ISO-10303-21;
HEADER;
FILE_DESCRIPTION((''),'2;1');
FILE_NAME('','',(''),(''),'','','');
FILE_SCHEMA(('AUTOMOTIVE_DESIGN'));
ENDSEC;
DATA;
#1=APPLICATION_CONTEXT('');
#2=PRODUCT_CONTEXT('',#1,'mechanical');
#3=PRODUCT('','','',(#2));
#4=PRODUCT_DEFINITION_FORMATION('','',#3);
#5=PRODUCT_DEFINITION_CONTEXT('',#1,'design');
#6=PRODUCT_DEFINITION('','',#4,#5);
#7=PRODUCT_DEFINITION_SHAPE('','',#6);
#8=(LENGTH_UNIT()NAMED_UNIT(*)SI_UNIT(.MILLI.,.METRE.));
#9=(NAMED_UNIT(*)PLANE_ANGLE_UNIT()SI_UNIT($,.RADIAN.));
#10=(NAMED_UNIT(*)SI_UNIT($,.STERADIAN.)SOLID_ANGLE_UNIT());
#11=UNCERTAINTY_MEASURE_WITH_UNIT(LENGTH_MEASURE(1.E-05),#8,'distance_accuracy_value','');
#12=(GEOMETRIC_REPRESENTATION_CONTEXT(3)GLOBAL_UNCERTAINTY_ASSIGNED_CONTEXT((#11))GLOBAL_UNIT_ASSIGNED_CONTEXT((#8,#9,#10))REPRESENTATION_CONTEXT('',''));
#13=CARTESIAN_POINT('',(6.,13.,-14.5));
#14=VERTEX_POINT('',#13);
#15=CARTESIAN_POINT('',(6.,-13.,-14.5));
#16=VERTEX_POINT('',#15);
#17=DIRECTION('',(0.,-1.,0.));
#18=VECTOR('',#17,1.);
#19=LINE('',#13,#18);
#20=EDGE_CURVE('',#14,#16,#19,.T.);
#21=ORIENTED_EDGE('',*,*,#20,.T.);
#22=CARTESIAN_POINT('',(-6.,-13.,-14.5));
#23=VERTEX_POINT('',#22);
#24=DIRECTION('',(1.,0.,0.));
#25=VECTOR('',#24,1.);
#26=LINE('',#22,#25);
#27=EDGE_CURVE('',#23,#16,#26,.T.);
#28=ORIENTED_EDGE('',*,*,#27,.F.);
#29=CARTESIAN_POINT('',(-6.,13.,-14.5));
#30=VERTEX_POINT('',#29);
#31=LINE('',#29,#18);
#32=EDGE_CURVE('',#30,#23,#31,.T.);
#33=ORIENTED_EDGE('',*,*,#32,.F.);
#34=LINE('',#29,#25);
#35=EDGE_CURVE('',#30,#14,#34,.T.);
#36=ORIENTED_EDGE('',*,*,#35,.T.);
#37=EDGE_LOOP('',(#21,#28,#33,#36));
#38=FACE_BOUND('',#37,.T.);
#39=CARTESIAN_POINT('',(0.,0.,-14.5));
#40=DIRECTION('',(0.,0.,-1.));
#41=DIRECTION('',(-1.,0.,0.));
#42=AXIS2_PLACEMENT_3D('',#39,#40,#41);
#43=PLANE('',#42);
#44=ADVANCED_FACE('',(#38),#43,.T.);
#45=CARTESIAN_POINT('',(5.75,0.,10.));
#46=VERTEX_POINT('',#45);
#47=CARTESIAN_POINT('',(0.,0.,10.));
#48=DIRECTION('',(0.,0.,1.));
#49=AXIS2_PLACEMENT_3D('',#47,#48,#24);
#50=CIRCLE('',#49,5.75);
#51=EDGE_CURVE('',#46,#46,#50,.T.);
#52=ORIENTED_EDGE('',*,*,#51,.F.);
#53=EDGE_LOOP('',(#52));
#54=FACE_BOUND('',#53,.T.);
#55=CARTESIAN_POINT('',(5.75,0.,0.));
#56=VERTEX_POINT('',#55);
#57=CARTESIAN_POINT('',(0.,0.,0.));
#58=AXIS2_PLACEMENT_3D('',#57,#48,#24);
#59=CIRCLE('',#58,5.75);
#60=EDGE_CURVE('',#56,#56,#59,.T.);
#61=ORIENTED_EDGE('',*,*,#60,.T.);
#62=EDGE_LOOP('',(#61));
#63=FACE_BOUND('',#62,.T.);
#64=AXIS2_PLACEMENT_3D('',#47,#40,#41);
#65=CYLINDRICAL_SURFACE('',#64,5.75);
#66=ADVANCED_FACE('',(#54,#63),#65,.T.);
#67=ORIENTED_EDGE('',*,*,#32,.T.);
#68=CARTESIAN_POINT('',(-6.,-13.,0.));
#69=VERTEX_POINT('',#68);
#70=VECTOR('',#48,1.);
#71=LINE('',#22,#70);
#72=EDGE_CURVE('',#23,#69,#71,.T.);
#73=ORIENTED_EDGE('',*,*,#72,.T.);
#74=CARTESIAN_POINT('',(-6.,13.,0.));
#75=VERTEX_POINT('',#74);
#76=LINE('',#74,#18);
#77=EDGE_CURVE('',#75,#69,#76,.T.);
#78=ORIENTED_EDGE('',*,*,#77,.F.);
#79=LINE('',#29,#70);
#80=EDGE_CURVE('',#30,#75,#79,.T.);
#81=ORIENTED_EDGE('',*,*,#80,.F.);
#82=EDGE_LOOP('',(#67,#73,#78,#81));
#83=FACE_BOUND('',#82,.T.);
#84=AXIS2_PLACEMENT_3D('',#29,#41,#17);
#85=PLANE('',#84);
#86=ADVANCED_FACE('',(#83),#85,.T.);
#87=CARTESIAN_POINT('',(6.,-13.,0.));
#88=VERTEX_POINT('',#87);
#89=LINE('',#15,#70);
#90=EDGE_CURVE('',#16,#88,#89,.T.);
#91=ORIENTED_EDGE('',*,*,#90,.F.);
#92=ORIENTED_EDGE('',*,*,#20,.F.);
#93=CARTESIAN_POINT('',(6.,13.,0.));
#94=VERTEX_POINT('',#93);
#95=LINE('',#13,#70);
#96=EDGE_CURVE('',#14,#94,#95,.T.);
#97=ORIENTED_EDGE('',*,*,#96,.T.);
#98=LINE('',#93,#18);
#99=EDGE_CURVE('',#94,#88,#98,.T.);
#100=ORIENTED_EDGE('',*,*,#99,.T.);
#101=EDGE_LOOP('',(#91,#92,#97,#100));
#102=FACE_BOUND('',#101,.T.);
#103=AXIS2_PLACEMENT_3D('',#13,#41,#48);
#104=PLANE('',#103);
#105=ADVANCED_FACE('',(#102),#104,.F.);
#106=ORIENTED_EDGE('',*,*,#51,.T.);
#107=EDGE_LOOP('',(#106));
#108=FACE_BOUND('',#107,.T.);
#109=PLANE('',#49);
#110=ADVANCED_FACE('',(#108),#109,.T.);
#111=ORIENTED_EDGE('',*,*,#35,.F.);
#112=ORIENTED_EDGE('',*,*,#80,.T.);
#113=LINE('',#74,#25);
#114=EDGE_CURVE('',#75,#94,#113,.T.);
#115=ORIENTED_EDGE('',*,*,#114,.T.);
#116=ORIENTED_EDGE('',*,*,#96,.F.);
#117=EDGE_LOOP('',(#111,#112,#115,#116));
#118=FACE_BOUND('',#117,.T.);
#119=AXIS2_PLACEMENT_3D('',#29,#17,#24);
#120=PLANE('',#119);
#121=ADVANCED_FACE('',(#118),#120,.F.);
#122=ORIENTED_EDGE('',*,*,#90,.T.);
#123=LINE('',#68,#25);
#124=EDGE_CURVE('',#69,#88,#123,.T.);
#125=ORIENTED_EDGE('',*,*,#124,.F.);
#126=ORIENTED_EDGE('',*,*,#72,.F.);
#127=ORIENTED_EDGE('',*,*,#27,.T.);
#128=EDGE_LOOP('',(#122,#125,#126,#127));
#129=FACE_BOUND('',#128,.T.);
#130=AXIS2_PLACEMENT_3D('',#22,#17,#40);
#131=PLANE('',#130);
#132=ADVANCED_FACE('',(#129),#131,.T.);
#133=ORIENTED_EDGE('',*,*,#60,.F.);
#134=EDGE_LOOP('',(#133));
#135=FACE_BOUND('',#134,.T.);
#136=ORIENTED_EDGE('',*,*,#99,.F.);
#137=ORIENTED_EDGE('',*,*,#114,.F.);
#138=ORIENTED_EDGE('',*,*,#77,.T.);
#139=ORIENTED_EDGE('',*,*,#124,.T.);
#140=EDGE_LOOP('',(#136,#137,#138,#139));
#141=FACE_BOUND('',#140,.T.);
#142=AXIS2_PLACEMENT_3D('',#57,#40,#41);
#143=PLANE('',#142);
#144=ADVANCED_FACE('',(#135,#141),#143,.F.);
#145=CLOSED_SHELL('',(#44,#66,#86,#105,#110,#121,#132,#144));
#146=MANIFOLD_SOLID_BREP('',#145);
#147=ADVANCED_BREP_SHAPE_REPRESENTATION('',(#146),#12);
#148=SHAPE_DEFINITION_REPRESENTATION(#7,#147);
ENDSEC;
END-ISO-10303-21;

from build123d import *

# Parameters (mm, degrees)
SKETCH1_W           = 12
SKETCH1_H           = 26
BOSS_EXTRUDE1_DEPTH = 14.5
SKETCH1_3_R         = 5.75
BOSS_EXTRUDE2_DEPTH = 10


with BuildPart() as part:
    # Sketch1 → Boss-Extrude1 (new body)
    with BuildSketch(Plane.XY):
        Rectangle(SKETCH1_W, SKETCH1_H)
    extrude(amount=-BOSS_EXTRUDE1_DEPTH)

    # Sketch1_3 → Boss-Extrude2 (add)
    with BuildSketch(Plane.XY):
        Circle(SKETCH1_3_R)
    extrude(amount=BOSS_EXTRUDE2_DEPTH)


solid = part.part
